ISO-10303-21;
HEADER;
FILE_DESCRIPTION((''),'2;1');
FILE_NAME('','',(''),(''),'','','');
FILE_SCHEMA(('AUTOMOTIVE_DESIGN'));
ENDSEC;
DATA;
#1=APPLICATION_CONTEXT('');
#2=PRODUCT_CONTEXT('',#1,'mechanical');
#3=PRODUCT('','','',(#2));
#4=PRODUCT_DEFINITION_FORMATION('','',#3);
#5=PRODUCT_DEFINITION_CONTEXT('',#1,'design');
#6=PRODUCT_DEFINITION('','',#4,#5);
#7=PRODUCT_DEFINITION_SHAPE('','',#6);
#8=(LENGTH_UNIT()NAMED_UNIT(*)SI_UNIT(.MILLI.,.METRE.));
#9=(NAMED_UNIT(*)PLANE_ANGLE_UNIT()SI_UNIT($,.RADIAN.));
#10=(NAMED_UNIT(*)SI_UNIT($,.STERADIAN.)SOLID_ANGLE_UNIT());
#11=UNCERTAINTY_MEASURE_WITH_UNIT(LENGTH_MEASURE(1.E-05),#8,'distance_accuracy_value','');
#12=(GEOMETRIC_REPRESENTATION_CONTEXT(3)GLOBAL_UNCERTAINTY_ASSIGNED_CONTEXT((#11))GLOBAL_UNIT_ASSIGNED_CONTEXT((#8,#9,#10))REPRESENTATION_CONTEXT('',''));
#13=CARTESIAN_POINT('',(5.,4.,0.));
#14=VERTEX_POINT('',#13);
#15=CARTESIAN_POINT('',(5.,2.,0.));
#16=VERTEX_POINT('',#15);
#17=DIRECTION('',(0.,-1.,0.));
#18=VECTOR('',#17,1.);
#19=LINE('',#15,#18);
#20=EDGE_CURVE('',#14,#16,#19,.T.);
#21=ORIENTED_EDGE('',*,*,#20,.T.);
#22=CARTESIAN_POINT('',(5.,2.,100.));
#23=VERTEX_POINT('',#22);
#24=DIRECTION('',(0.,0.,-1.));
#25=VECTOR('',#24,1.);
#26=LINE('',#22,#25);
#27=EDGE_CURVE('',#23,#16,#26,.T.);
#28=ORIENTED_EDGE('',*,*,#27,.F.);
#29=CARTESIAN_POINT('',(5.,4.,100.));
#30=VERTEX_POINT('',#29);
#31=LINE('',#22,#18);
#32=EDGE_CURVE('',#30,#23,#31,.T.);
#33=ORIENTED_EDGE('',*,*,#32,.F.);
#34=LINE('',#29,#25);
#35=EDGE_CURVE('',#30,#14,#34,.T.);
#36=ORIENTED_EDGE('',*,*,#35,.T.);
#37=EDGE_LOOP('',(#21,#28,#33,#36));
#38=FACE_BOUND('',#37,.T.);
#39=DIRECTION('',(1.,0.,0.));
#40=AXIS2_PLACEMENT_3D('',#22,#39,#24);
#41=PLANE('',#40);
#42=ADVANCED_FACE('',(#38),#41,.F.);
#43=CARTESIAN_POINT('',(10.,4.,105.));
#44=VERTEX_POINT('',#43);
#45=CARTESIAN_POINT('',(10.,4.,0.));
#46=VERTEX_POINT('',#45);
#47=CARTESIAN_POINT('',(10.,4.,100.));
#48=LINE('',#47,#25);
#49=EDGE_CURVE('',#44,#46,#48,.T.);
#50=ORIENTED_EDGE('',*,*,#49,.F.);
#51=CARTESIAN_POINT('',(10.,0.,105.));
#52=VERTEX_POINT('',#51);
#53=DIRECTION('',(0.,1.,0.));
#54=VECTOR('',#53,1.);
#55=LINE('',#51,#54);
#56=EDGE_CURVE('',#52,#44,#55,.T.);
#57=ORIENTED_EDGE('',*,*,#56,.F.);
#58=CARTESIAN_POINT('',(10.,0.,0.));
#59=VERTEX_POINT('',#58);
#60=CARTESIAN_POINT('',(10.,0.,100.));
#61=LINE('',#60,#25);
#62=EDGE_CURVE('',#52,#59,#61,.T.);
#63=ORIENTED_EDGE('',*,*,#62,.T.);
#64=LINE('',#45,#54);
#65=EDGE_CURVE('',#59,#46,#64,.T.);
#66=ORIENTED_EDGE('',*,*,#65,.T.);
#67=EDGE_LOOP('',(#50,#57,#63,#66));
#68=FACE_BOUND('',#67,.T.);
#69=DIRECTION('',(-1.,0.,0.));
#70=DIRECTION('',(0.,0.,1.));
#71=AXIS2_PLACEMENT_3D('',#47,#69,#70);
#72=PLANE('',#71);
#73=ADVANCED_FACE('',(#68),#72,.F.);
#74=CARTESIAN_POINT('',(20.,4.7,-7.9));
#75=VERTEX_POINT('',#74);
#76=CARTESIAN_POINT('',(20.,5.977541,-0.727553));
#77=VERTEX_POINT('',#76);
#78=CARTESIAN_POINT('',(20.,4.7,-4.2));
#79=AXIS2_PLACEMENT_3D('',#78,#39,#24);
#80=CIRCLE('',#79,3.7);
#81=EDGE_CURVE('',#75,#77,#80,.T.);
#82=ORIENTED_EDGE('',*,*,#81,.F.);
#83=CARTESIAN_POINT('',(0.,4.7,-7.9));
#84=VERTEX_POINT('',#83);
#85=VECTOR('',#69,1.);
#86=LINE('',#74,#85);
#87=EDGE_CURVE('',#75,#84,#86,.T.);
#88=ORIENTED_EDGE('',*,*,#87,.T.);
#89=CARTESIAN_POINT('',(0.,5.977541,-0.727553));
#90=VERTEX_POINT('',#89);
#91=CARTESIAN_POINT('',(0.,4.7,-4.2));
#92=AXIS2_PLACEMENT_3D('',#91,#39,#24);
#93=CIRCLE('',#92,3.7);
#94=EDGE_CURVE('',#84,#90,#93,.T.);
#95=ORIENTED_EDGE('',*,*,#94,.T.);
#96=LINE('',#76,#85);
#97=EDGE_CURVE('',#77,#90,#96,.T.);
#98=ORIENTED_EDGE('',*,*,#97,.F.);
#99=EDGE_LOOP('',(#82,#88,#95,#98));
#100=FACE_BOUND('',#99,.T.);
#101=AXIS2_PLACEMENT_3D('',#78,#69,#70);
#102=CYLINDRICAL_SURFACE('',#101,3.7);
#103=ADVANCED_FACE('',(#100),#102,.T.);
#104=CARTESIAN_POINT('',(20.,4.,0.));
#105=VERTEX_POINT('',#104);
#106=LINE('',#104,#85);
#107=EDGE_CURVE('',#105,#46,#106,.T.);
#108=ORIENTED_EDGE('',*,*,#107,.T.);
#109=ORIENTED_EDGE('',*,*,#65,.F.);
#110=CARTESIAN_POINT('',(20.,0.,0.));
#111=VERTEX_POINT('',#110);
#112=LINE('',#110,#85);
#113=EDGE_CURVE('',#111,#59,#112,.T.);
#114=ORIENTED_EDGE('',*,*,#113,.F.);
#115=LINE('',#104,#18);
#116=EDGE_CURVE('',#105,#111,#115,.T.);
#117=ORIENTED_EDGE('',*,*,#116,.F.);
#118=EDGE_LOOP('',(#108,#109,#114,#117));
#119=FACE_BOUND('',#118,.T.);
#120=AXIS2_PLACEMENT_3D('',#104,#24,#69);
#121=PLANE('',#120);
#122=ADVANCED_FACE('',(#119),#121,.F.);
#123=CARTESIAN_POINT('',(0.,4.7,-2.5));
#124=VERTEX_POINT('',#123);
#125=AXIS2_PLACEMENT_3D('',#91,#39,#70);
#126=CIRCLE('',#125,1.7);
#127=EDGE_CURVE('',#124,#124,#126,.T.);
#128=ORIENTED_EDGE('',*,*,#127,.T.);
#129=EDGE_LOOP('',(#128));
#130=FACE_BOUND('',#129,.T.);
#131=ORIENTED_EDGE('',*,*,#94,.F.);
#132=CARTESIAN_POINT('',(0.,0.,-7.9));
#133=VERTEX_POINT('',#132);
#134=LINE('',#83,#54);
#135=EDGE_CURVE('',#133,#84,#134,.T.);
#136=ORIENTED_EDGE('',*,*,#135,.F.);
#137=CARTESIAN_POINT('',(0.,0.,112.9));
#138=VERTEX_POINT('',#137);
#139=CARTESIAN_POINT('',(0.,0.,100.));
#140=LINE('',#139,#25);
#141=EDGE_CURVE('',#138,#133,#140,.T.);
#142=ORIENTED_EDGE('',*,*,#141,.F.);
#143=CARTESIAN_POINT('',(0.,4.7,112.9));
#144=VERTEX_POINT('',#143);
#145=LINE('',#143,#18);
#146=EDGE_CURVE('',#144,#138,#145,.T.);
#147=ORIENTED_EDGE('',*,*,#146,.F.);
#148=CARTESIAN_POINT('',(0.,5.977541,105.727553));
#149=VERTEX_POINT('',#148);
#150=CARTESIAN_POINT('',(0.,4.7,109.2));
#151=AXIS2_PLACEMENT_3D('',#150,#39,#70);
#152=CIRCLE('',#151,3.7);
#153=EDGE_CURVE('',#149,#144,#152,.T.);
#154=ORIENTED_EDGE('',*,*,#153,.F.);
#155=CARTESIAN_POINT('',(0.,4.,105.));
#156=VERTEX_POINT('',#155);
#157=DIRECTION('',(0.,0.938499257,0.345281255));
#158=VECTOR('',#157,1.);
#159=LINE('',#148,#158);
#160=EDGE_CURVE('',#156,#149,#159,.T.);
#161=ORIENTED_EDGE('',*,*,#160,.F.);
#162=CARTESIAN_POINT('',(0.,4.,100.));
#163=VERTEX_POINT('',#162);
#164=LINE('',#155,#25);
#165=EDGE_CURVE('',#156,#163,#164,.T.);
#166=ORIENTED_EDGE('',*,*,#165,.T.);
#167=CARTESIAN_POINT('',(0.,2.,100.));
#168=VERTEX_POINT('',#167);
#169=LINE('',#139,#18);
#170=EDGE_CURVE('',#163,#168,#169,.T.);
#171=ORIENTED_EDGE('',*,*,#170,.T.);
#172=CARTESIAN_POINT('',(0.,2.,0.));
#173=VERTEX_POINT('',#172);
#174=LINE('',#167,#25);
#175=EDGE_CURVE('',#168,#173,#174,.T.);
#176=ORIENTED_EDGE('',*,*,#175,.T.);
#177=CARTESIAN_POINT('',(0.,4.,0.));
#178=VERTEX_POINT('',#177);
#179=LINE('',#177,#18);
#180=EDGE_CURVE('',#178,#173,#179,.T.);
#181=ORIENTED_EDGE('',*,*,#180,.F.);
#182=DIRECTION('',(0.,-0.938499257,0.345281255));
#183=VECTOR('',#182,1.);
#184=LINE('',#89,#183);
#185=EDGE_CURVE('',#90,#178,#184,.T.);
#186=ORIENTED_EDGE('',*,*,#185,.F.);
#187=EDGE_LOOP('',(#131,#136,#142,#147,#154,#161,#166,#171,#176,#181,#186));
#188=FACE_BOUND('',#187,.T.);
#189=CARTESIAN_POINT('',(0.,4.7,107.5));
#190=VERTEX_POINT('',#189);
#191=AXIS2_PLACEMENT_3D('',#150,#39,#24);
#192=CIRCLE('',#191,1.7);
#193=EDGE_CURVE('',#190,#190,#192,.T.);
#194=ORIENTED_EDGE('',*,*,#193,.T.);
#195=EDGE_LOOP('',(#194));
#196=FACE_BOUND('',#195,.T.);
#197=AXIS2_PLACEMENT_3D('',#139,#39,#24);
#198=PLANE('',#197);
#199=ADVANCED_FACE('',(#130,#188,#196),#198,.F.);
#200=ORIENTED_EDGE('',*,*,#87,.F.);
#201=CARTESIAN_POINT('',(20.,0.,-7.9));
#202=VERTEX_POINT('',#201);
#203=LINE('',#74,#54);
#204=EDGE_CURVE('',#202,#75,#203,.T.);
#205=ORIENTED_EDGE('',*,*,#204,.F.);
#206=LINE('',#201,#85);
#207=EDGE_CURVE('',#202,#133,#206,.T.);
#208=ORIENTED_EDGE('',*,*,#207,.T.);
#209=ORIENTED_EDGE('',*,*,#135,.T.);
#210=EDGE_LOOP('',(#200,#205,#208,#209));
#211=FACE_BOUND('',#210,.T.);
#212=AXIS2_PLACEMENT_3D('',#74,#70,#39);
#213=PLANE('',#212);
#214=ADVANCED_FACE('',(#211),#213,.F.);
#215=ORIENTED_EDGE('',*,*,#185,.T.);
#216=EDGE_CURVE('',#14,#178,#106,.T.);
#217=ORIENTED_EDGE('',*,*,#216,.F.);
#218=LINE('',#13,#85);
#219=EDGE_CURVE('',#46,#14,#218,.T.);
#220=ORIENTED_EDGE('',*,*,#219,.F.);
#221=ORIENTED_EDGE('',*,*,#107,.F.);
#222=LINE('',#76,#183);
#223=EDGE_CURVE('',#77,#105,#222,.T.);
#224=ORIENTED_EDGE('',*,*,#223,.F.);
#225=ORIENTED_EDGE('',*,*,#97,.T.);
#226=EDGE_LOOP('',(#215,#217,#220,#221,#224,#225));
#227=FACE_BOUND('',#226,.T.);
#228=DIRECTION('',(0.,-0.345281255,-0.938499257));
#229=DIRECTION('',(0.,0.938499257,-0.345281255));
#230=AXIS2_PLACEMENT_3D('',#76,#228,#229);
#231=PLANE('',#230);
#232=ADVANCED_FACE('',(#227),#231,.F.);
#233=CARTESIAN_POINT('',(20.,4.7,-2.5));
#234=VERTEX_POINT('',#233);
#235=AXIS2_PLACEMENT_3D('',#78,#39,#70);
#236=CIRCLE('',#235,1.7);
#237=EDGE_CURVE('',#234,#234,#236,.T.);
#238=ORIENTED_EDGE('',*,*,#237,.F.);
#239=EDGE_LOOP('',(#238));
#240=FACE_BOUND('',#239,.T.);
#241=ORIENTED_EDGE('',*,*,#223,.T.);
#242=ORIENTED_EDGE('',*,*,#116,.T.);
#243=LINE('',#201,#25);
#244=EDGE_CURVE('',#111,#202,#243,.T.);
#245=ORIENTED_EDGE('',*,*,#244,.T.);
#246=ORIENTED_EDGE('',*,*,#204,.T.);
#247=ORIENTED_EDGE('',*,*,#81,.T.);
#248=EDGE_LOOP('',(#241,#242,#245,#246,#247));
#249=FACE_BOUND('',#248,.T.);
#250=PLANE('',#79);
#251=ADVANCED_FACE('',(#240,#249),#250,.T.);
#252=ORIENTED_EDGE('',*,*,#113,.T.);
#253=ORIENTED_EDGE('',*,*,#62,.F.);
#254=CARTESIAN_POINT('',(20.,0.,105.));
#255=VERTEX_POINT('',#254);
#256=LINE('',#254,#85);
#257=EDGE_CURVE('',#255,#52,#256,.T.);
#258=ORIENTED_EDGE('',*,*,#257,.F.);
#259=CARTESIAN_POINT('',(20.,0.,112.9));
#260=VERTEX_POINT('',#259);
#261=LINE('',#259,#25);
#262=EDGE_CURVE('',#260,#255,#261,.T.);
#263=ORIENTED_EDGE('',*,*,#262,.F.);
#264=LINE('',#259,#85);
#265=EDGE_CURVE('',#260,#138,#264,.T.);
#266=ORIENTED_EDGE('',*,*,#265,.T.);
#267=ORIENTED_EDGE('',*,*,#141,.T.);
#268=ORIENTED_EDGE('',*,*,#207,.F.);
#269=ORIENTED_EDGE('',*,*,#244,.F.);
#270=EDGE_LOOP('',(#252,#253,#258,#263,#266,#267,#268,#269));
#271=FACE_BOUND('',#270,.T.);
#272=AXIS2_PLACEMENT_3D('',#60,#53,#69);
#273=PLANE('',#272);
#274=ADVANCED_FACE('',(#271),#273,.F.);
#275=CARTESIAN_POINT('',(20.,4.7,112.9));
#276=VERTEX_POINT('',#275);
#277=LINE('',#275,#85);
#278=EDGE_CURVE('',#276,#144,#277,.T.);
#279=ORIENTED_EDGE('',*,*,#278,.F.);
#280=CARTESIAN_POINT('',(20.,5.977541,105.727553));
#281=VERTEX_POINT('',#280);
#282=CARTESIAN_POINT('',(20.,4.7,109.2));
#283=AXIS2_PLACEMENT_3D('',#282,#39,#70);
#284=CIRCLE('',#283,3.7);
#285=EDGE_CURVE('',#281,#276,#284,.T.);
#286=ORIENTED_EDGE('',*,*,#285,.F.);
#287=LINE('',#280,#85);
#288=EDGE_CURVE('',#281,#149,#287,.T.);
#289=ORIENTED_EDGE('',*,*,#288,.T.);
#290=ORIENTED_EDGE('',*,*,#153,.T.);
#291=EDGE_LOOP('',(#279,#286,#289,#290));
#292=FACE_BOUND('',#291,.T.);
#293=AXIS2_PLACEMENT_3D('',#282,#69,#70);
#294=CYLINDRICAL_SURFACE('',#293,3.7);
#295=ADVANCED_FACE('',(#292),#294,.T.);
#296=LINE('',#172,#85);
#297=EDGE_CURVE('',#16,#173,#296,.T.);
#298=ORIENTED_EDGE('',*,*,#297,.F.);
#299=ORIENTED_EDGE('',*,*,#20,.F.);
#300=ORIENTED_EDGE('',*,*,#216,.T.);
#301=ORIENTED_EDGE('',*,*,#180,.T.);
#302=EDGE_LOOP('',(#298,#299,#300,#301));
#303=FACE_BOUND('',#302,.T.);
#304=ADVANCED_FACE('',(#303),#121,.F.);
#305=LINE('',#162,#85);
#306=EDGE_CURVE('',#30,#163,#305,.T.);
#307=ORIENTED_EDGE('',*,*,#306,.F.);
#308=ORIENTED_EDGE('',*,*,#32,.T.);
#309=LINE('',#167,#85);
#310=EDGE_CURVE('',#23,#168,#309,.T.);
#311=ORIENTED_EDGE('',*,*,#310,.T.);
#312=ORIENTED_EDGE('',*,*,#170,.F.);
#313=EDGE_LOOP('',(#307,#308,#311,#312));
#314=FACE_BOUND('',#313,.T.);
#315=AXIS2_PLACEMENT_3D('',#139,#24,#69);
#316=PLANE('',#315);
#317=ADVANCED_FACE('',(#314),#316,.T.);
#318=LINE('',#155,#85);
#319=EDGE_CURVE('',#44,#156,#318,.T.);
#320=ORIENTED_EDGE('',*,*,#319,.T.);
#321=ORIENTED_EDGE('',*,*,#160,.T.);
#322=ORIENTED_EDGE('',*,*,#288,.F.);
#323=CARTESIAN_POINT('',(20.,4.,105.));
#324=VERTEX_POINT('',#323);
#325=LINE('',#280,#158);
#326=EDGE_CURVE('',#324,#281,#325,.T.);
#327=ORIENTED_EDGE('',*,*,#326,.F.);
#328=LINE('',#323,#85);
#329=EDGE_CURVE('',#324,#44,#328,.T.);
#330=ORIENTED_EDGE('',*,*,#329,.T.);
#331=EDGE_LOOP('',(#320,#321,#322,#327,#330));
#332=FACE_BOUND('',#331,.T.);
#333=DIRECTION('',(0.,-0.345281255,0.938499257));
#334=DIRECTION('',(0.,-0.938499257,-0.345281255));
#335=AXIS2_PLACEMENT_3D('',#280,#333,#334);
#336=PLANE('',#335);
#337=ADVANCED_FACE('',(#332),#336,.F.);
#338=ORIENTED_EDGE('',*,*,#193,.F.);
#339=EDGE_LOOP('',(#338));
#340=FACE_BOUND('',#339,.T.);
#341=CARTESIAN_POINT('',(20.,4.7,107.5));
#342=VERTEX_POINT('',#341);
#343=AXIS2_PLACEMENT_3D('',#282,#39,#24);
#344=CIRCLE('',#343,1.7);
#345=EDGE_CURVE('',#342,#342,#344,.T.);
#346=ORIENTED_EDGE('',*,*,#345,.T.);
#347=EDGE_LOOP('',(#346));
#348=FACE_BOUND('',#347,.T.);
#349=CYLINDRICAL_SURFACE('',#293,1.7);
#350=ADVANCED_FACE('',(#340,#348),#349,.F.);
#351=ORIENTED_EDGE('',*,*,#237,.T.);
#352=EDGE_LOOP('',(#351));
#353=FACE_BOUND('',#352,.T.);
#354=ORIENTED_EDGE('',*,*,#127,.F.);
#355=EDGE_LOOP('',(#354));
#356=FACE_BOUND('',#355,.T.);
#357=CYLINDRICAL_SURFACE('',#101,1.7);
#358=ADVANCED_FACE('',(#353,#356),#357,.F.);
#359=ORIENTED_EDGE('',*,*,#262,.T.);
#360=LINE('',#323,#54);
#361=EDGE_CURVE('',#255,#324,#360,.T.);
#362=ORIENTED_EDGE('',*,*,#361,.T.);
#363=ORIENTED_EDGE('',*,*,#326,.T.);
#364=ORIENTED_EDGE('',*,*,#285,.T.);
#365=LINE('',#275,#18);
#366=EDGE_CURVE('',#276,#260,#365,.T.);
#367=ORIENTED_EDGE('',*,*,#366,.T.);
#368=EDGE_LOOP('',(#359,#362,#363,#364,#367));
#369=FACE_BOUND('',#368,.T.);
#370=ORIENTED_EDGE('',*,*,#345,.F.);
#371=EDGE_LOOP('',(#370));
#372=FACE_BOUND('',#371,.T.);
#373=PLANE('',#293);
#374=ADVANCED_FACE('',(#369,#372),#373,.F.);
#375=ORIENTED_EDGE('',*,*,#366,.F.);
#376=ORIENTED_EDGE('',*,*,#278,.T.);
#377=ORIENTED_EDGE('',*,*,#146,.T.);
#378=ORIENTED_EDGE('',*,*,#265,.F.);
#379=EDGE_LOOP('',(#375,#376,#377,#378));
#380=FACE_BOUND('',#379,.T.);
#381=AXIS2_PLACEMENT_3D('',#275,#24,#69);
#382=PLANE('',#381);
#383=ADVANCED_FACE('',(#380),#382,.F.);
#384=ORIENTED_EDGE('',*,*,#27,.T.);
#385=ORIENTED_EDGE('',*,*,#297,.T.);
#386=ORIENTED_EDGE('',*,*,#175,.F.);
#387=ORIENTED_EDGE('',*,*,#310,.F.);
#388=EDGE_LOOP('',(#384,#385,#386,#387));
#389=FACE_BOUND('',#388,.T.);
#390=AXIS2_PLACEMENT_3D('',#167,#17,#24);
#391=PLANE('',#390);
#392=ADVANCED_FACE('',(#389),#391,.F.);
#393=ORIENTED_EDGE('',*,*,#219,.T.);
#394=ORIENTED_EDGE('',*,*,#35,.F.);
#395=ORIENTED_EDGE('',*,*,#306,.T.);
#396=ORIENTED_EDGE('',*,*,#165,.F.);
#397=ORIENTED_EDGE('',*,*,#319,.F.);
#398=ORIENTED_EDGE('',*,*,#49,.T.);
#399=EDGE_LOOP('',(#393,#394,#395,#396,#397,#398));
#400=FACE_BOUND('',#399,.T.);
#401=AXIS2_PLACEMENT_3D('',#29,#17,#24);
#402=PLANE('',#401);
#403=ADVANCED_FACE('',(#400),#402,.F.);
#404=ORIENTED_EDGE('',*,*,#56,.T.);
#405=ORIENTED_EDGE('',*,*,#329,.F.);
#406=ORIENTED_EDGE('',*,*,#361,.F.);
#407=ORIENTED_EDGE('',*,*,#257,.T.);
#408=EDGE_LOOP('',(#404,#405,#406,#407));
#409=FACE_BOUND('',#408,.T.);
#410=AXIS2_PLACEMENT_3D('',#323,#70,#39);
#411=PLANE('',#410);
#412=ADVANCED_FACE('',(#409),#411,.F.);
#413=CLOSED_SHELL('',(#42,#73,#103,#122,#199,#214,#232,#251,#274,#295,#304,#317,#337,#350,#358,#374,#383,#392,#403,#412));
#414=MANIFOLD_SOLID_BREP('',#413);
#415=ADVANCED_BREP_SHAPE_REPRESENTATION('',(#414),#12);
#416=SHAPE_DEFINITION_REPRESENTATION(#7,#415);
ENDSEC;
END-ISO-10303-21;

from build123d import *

# Parameters (mm, degrees)
RESSALTO_EXTRUS_O1_DEPTH      = 100
ESBO_O3_W                     = 10
ESBO_O3_H                     = 4
RESSALTO_EXTRUS_O2_DEPTH      = 5
ESBO_O4_R                     = 1.7
RESSALTO_EXTRUS_O3_DEPTH      = 10
RESSALTO_EXTRUS_O3_DEPTH_BACK = 10


with BuildPart() as part:
    # Esboço1 → Ressalto-extrusão1 (new body)
    with BuildSketch(Plane.XY):
        Polygon((0, 0), (0, 2), (5, 2), (5, 4), (10, 4), (10, 0), align=None)
    extrude(amount=RESSALTO_EXTRUS_O1_DEPTH)

    # Esboço3 → Ressalto-extrusão2 (add)
    with BuildSketch(Plane.XY.offset(100)):
        with Locations((5, 2)):
            Rectangle(ESBO_O3_W, ESBO_O3_H)
    extrude(amount=RESSALTO_EXTRUS_O2_DEPTH)

    # Esboço4 → Ressalto-extrusão3 (add, two sides)
    with BuildSketch(Plane(origin=(10, 0, 0), x_dir=(0, 0, -1), z_dir=(1, 0, 0))) as ressalto_extrus_o3_sk:
        with BuildLine():
            Line((-112.9, 4.7), (-112.9, 0))
            Line((-112.9, 0), (-105, 0))
            Line((-105, 0), (-105, 4))
            Line((-105, 4), (-105.72755275, 5.977540643))
            ThreePointArc((-105.72755275, 5.977540643), (-109.848824003, 8.342667623), (-112.9, 4.7))
        make_face()
        with Locations((-109.2, 4.7)):
            Circle(ESBO_O4_R, mode=Mode.SUBTRACT)
        with BuildLine():
            Line((7.9, 0), (0, 0))
            Line((0, 0), (0, 4))
            Line((0, 4), (0.72755275, 5.977540643))
            ThreePointArc((0.72755275, 5.977540643), (4.848824003, 8.342667623), (7.9, 4.7))
            Line((7.9, 4.7), (7.9, 0))
        make_face()
        with Locations((4.2, 4.7)):
            Circle(ESBO_O4_R, mode=Mode.SUBTRACT)
    extrude(amount=RESSALTO_EXTRUS_O3_DEPTH)
    extrude(ressalto_extrus_o3_sk.sketch, amount=-RESSALTO_EXTRUS_O3_DEPTH_BACK)


solid = part.part
